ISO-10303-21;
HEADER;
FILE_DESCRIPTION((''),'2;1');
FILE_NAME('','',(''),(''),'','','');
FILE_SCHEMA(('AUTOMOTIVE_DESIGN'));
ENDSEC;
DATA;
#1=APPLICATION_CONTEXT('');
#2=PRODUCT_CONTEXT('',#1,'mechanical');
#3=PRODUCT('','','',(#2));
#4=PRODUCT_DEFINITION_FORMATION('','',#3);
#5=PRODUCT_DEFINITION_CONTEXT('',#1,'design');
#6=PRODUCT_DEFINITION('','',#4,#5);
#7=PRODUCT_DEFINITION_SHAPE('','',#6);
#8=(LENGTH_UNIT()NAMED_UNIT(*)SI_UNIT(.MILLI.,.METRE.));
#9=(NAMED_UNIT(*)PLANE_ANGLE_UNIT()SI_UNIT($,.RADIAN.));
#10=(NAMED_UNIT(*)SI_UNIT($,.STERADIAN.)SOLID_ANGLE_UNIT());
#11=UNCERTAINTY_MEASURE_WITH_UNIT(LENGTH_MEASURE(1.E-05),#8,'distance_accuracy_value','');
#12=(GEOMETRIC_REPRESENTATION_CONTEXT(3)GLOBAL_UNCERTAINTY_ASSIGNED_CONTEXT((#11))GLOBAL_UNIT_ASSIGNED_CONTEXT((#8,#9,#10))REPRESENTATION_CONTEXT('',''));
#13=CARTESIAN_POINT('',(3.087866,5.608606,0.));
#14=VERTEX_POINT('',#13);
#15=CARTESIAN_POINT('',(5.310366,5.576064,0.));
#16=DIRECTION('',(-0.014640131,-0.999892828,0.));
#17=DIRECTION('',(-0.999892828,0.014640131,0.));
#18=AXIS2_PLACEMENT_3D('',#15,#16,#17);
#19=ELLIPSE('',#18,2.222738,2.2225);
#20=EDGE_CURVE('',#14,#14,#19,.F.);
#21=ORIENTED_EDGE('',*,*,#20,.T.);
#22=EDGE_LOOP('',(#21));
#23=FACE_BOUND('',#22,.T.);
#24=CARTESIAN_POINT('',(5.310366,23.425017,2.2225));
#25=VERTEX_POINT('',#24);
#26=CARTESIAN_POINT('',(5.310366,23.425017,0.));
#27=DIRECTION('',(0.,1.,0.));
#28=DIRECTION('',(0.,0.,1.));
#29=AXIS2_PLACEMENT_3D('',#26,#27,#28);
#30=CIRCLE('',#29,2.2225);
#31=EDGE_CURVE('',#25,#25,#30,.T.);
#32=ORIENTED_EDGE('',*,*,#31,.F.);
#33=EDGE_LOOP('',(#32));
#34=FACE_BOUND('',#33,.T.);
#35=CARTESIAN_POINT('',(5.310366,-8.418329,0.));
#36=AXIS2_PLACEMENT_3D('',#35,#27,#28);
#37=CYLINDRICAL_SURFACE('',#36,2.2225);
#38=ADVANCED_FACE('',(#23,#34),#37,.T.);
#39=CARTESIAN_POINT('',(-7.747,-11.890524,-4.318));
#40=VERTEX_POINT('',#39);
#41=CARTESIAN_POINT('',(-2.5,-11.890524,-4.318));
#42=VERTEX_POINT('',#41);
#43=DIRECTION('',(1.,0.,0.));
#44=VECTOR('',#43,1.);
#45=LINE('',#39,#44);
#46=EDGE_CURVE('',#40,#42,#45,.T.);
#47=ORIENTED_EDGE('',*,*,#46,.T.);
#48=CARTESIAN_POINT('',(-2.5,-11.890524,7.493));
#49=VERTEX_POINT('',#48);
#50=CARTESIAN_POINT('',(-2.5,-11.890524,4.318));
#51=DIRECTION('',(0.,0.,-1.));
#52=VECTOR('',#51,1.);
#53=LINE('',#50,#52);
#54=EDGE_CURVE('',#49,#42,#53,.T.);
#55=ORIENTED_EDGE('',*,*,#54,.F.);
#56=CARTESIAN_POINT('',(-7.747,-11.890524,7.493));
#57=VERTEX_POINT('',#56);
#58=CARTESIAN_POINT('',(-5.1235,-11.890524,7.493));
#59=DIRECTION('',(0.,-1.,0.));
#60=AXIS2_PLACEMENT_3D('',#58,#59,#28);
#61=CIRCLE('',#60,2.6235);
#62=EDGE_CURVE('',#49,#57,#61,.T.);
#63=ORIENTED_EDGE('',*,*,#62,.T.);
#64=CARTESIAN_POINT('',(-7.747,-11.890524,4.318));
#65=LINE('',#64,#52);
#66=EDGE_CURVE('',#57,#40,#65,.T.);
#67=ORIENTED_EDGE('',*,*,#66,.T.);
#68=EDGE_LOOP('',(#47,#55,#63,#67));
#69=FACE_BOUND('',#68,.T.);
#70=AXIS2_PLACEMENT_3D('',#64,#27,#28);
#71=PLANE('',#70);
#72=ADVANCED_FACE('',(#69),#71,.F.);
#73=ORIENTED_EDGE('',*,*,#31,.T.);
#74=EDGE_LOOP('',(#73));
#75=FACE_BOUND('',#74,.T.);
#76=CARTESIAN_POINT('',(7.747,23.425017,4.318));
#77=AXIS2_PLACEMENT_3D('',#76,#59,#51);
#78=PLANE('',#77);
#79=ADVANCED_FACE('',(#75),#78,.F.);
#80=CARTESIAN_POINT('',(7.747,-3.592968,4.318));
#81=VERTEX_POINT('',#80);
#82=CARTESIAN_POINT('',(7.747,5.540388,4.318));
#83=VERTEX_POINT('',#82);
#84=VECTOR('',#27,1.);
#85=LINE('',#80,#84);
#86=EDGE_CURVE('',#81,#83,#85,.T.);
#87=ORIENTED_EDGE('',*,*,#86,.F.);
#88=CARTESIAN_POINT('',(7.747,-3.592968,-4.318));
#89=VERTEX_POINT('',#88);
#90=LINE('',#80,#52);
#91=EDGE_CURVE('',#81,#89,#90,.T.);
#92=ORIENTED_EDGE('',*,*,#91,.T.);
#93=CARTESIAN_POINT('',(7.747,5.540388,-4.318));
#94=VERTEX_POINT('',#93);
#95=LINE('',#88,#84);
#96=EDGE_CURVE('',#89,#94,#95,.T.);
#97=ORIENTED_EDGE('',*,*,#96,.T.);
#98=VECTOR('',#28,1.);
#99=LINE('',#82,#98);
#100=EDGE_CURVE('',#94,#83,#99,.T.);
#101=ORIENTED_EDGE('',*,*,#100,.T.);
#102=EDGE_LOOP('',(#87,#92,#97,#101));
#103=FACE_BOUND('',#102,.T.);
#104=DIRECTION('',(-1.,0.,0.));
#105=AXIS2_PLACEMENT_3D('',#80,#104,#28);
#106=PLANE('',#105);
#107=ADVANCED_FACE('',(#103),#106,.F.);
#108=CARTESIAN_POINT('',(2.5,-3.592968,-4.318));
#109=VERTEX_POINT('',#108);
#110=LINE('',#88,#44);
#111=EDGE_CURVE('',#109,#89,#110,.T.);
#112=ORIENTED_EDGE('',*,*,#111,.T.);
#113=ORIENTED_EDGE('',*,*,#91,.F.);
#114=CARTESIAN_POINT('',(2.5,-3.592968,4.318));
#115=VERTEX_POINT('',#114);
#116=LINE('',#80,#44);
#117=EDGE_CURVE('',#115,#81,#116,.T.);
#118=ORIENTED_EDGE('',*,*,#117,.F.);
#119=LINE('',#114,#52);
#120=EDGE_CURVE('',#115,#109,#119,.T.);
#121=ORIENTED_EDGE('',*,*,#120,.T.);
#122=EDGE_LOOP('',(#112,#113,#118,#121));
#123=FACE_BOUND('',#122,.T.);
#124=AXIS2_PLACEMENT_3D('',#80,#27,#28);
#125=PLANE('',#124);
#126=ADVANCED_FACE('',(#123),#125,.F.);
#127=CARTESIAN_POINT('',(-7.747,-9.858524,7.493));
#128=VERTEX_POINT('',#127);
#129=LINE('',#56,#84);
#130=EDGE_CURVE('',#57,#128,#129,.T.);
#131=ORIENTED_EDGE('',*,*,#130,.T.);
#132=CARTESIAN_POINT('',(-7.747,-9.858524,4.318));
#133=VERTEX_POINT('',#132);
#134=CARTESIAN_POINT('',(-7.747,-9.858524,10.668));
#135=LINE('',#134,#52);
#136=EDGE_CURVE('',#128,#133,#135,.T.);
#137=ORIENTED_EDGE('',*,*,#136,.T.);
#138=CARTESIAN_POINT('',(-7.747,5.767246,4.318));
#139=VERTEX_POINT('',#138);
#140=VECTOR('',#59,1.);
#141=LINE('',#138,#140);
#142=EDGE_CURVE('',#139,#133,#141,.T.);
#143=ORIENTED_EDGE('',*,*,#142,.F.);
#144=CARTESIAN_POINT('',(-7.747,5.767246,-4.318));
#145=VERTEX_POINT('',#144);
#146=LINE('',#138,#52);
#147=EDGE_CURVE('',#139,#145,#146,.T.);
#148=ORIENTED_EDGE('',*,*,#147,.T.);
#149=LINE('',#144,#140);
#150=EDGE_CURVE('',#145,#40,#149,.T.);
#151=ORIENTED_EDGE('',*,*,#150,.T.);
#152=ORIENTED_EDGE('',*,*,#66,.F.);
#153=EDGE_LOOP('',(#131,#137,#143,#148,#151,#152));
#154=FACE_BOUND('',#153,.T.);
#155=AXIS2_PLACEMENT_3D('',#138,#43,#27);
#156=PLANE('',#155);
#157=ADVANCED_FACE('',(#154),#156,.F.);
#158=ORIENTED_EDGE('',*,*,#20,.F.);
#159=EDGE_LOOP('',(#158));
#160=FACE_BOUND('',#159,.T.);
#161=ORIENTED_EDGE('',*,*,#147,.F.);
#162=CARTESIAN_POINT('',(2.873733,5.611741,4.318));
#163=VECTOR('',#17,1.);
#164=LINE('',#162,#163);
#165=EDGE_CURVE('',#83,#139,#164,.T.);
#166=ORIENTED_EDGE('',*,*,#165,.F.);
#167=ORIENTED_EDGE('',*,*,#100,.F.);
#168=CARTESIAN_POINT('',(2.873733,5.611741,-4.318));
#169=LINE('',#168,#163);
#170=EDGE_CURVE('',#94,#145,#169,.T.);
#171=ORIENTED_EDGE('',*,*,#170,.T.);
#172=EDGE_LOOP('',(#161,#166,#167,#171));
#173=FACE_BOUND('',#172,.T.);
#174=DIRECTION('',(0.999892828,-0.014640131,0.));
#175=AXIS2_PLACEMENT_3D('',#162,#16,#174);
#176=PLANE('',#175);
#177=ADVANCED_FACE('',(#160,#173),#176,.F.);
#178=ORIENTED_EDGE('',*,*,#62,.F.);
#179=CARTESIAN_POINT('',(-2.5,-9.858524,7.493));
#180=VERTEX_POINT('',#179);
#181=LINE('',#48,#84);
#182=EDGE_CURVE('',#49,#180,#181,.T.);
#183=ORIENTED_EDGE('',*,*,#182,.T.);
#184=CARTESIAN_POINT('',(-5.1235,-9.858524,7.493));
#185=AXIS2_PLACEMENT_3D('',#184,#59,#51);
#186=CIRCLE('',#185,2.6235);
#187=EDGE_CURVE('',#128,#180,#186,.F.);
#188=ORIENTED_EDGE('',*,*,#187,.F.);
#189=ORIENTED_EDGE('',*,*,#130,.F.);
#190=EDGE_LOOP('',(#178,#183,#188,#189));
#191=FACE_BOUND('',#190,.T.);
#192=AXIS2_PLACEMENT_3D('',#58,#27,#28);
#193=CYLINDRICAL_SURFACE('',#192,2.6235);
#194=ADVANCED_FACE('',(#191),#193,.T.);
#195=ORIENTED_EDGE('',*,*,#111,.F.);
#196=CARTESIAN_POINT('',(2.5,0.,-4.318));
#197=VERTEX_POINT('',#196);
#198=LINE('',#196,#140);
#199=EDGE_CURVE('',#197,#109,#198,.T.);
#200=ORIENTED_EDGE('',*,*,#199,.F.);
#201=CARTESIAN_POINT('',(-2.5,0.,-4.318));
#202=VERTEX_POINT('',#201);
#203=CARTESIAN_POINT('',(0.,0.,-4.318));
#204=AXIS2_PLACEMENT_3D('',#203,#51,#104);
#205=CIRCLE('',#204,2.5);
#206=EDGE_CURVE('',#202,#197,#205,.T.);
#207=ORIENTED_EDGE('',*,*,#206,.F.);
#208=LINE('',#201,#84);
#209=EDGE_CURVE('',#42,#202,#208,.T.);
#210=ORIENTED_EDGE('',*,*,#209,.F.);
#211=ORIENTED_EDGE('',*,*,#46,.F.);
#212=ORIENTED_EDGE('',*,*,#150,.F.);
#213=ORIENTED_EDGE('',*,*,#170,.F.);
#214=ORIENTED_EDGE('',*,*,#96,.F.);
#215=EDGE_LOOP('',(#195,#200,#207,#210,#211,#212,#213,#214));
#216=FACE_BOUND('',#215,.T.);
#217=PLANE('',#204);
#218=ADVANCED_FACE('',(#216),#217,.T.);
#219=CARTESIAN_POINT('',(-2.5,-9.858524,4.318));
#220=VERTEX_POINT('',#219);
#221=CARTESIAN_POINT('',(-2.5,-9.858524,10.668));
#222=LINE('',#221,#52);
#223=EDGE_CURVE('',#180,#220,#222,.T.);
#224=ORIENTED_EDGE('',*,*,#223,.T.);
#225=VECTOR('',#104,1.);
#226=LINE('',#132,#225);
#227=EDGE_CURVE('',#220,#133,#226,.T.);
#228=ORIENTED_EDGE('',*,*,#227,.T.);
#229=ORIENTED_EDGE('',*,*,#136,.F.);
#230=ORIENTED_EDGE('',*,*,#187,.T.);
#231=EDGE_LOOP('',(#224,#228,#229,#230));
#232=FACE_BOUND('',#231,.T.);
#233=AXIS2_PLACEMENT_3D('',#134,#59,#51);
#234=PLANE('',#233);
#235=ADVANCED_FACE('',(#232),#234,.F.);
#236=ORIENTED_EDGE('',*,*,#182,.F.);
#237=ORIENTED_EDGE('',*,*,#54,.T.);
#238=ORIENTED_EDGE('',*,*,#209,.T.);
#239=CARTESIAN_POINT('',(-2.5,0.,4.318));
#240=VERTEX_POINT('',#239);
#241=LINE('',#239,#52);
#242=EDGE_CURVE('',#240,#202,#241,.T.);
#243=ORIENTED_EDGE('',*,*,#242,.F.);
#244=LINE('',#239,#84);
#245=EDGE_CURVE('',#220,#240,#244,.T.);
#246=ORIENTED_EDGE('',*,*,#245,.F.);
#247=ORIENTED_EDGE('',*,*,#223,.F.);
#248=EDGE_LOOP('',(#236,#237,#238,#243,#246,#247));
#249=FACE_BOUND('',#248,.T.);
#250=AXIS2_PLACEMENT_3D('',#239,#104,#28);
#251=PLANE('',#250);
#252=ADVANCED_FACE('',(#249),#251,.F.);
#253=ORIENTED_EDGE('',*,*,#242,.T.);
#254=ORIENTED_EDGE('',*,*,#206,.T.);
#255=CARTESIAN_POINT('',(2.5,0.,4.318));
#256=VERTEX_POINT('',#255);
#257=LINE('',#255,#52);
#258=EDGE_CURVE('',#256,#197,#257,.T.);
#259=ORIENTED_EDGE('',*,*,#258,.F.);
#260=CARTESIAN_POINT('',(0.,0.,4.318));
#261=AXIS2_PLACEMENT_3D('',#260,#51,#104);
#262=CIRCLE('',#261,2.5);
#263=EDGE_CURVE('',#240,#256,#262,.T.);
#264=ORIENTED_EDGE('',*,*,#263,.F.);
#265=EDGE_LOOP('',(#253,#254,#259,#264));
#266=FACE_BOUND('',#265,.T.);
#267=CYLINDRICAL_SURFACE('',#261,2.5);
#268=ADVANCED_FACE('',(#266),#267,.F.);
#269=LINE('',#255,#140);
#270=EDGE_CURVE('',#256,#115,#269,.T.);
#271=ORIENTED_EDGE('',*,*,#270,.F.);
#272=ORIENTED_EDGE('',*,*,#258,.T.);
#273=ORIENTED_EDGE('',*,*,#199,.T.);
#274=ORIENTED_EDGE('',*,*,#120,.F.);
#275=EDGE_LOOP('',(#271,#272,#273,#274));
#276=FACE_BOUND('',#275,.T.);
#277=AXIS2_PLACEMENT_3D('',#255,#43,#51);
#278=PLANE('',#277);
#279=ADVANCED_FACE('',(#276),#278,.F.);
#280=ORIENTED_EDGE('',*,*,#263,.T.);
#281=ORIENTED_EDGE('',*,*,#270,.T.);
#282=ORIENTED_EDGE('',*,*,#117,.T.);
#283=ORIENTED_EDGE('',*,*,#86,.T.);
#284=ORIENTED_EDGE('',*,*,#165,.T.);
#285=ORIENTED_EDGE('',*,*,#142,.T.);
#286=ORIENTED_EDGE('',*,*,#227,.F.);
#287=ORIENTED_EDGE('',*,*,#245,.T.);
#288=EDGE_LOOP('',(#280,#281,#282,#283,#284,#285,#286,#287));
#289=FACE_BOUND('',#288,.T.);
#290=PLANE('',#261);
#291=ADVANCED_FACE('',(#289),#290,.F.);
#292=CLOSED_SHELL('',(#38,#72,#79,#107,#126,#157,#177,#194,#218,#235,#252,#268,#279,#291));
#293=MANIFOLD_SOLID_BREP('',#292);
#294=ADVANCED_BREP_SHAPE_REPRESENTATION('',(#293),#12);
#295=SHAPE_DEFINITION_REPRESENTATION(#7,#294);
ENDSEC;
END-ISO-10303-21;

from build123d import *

# Parameters (mm, degrees)
BOSS_EXTRUDE1_DEPTH = 4.318
CUT_EXTRUDE1_REACH  = 38.412
SKETCH2_W           = 8.541760295
SKETCH2_H           = 11.079108592
SKETCH2_R           = 2.2225
SKETCH3_W           = 5.247
SKETCH3_H           = 2.032
BOSS_EXTRUDE2_DEPTH = 6.35
CUT_EXTRUDE2_DEPTH  = 27.880358119


with BuildPart() as part:
    # Sketch1 → Boss-Extrude1 (new, symmetric)
    with BuildSketch(Plane.XY):
        with BuildLine():
            Line((7.747, -3.592967768), (2.5, -3.592967768))
            Line((2.5, -3.592967768), (2.5, 0))
            ThreePointArc((2.5, 0), (0, 2.5), (-2.5, 0))
            Line((-2.5, 0), (-2.5, -11.890523987))
            Line((-2.5, -11.890523987), (-7.747, -11.890523987))
            Line((-7.747, -11.890523987), (-7.747, 5.76724639))
            Line((-7.747, 5.76724639), (2.873732949, 5.611740799))
            Line((2.873732949, 5.611740799), (2.873732949, 23.425016961))
            Line((2.873732949, 23.425016961), (7.747, 23.425016961))
            Line((7.747, 23.425016961), (7.747, -3.592967768))
        make_face()
    extrude(amount=BOSS_EXTRUDE1_DEPTH, both=True)

    # Cut-Extrude1: up to this plane
    cut_extrude1_end = Plane(origin=(2.873732949, 5.611740799, 4.318), z_dir=(-0.014640131281330963, -0.9998928275350643, 0))
    # Sketch2 → Cut-Extrude1 (cut, up to the surface)
    with BuildSketch(Plane(origin=(0, 23.425016961, 0), x_dir=(1, 0, 0), z_dir=(0, 1, 0)), mode=Mode.PRIVATE) as cut_extrude1_sk1:
        with Locations((5.587976973, 0.096845355)):
            Rectangle(SKETCH2_W, SKETCH2_H)
        with Locations(Location((5.310366443, 0, 0), (0, 0, 270))):
            Circle(SKETCH2_R, mode=Mode.SUBTRACT)
    cut_extrude1_tool1 = split(extrude(cut_extrude1_sk1.sketch, amount=-CUT_EXTRUDE1_REACH, mode=Mode.PRIVATE), bisect_by=cut_extrude1_end, keep=Keep.BOTH, mode=Mode.PRIVATE)
    add(cut_extrude1_tool1.solids().sort_by_distance((5.587977, 23.425017, -5.496504))[0], mode=Mode.SUBTRACT)

    # Sketch3 → Boss-Extrude2 (add)
    with BuildSketch(Plane.XY.offset(4.318)):
        with Locations((-5.1235, -10.874523987)):
            Rectangle(SKETCH3_W, SKETCH3_H)
    extrude(amount=BOSS_EXTRUDE2_DEPTH)

    # Sketch4 → Cut-Extrude2 (cut, through all)
    with BuildSketch(Plane(origin=(0, 0, 0), x_dir=(1, 0, 0), z_dir=(0, 1, 0))):
        with BuildLine():
            Line((-7.747, -7.493), (-9.552186856, -7.493))
            Line((-9.552186856, -7.493), (-9.552186856, -11.539215141))
            Line((-9.552186856, -11.539215141), (-1.066763887, -11.539215141))
            Line((-1.066763887, -11.539215141), (-1.066763887, -7.493))
            Line((-1.066763887, -7.493), (-2.5, -7.493))
            ThreePointArc((-2.5, -7.493), (-5.1235, -10.1165), (-7.747, -7.493))
        make_face()
    extrude(amount=-CUT_EXTRUDE2_DEPTH, mode=Mode.SUBTRACT)


solid = part.part
